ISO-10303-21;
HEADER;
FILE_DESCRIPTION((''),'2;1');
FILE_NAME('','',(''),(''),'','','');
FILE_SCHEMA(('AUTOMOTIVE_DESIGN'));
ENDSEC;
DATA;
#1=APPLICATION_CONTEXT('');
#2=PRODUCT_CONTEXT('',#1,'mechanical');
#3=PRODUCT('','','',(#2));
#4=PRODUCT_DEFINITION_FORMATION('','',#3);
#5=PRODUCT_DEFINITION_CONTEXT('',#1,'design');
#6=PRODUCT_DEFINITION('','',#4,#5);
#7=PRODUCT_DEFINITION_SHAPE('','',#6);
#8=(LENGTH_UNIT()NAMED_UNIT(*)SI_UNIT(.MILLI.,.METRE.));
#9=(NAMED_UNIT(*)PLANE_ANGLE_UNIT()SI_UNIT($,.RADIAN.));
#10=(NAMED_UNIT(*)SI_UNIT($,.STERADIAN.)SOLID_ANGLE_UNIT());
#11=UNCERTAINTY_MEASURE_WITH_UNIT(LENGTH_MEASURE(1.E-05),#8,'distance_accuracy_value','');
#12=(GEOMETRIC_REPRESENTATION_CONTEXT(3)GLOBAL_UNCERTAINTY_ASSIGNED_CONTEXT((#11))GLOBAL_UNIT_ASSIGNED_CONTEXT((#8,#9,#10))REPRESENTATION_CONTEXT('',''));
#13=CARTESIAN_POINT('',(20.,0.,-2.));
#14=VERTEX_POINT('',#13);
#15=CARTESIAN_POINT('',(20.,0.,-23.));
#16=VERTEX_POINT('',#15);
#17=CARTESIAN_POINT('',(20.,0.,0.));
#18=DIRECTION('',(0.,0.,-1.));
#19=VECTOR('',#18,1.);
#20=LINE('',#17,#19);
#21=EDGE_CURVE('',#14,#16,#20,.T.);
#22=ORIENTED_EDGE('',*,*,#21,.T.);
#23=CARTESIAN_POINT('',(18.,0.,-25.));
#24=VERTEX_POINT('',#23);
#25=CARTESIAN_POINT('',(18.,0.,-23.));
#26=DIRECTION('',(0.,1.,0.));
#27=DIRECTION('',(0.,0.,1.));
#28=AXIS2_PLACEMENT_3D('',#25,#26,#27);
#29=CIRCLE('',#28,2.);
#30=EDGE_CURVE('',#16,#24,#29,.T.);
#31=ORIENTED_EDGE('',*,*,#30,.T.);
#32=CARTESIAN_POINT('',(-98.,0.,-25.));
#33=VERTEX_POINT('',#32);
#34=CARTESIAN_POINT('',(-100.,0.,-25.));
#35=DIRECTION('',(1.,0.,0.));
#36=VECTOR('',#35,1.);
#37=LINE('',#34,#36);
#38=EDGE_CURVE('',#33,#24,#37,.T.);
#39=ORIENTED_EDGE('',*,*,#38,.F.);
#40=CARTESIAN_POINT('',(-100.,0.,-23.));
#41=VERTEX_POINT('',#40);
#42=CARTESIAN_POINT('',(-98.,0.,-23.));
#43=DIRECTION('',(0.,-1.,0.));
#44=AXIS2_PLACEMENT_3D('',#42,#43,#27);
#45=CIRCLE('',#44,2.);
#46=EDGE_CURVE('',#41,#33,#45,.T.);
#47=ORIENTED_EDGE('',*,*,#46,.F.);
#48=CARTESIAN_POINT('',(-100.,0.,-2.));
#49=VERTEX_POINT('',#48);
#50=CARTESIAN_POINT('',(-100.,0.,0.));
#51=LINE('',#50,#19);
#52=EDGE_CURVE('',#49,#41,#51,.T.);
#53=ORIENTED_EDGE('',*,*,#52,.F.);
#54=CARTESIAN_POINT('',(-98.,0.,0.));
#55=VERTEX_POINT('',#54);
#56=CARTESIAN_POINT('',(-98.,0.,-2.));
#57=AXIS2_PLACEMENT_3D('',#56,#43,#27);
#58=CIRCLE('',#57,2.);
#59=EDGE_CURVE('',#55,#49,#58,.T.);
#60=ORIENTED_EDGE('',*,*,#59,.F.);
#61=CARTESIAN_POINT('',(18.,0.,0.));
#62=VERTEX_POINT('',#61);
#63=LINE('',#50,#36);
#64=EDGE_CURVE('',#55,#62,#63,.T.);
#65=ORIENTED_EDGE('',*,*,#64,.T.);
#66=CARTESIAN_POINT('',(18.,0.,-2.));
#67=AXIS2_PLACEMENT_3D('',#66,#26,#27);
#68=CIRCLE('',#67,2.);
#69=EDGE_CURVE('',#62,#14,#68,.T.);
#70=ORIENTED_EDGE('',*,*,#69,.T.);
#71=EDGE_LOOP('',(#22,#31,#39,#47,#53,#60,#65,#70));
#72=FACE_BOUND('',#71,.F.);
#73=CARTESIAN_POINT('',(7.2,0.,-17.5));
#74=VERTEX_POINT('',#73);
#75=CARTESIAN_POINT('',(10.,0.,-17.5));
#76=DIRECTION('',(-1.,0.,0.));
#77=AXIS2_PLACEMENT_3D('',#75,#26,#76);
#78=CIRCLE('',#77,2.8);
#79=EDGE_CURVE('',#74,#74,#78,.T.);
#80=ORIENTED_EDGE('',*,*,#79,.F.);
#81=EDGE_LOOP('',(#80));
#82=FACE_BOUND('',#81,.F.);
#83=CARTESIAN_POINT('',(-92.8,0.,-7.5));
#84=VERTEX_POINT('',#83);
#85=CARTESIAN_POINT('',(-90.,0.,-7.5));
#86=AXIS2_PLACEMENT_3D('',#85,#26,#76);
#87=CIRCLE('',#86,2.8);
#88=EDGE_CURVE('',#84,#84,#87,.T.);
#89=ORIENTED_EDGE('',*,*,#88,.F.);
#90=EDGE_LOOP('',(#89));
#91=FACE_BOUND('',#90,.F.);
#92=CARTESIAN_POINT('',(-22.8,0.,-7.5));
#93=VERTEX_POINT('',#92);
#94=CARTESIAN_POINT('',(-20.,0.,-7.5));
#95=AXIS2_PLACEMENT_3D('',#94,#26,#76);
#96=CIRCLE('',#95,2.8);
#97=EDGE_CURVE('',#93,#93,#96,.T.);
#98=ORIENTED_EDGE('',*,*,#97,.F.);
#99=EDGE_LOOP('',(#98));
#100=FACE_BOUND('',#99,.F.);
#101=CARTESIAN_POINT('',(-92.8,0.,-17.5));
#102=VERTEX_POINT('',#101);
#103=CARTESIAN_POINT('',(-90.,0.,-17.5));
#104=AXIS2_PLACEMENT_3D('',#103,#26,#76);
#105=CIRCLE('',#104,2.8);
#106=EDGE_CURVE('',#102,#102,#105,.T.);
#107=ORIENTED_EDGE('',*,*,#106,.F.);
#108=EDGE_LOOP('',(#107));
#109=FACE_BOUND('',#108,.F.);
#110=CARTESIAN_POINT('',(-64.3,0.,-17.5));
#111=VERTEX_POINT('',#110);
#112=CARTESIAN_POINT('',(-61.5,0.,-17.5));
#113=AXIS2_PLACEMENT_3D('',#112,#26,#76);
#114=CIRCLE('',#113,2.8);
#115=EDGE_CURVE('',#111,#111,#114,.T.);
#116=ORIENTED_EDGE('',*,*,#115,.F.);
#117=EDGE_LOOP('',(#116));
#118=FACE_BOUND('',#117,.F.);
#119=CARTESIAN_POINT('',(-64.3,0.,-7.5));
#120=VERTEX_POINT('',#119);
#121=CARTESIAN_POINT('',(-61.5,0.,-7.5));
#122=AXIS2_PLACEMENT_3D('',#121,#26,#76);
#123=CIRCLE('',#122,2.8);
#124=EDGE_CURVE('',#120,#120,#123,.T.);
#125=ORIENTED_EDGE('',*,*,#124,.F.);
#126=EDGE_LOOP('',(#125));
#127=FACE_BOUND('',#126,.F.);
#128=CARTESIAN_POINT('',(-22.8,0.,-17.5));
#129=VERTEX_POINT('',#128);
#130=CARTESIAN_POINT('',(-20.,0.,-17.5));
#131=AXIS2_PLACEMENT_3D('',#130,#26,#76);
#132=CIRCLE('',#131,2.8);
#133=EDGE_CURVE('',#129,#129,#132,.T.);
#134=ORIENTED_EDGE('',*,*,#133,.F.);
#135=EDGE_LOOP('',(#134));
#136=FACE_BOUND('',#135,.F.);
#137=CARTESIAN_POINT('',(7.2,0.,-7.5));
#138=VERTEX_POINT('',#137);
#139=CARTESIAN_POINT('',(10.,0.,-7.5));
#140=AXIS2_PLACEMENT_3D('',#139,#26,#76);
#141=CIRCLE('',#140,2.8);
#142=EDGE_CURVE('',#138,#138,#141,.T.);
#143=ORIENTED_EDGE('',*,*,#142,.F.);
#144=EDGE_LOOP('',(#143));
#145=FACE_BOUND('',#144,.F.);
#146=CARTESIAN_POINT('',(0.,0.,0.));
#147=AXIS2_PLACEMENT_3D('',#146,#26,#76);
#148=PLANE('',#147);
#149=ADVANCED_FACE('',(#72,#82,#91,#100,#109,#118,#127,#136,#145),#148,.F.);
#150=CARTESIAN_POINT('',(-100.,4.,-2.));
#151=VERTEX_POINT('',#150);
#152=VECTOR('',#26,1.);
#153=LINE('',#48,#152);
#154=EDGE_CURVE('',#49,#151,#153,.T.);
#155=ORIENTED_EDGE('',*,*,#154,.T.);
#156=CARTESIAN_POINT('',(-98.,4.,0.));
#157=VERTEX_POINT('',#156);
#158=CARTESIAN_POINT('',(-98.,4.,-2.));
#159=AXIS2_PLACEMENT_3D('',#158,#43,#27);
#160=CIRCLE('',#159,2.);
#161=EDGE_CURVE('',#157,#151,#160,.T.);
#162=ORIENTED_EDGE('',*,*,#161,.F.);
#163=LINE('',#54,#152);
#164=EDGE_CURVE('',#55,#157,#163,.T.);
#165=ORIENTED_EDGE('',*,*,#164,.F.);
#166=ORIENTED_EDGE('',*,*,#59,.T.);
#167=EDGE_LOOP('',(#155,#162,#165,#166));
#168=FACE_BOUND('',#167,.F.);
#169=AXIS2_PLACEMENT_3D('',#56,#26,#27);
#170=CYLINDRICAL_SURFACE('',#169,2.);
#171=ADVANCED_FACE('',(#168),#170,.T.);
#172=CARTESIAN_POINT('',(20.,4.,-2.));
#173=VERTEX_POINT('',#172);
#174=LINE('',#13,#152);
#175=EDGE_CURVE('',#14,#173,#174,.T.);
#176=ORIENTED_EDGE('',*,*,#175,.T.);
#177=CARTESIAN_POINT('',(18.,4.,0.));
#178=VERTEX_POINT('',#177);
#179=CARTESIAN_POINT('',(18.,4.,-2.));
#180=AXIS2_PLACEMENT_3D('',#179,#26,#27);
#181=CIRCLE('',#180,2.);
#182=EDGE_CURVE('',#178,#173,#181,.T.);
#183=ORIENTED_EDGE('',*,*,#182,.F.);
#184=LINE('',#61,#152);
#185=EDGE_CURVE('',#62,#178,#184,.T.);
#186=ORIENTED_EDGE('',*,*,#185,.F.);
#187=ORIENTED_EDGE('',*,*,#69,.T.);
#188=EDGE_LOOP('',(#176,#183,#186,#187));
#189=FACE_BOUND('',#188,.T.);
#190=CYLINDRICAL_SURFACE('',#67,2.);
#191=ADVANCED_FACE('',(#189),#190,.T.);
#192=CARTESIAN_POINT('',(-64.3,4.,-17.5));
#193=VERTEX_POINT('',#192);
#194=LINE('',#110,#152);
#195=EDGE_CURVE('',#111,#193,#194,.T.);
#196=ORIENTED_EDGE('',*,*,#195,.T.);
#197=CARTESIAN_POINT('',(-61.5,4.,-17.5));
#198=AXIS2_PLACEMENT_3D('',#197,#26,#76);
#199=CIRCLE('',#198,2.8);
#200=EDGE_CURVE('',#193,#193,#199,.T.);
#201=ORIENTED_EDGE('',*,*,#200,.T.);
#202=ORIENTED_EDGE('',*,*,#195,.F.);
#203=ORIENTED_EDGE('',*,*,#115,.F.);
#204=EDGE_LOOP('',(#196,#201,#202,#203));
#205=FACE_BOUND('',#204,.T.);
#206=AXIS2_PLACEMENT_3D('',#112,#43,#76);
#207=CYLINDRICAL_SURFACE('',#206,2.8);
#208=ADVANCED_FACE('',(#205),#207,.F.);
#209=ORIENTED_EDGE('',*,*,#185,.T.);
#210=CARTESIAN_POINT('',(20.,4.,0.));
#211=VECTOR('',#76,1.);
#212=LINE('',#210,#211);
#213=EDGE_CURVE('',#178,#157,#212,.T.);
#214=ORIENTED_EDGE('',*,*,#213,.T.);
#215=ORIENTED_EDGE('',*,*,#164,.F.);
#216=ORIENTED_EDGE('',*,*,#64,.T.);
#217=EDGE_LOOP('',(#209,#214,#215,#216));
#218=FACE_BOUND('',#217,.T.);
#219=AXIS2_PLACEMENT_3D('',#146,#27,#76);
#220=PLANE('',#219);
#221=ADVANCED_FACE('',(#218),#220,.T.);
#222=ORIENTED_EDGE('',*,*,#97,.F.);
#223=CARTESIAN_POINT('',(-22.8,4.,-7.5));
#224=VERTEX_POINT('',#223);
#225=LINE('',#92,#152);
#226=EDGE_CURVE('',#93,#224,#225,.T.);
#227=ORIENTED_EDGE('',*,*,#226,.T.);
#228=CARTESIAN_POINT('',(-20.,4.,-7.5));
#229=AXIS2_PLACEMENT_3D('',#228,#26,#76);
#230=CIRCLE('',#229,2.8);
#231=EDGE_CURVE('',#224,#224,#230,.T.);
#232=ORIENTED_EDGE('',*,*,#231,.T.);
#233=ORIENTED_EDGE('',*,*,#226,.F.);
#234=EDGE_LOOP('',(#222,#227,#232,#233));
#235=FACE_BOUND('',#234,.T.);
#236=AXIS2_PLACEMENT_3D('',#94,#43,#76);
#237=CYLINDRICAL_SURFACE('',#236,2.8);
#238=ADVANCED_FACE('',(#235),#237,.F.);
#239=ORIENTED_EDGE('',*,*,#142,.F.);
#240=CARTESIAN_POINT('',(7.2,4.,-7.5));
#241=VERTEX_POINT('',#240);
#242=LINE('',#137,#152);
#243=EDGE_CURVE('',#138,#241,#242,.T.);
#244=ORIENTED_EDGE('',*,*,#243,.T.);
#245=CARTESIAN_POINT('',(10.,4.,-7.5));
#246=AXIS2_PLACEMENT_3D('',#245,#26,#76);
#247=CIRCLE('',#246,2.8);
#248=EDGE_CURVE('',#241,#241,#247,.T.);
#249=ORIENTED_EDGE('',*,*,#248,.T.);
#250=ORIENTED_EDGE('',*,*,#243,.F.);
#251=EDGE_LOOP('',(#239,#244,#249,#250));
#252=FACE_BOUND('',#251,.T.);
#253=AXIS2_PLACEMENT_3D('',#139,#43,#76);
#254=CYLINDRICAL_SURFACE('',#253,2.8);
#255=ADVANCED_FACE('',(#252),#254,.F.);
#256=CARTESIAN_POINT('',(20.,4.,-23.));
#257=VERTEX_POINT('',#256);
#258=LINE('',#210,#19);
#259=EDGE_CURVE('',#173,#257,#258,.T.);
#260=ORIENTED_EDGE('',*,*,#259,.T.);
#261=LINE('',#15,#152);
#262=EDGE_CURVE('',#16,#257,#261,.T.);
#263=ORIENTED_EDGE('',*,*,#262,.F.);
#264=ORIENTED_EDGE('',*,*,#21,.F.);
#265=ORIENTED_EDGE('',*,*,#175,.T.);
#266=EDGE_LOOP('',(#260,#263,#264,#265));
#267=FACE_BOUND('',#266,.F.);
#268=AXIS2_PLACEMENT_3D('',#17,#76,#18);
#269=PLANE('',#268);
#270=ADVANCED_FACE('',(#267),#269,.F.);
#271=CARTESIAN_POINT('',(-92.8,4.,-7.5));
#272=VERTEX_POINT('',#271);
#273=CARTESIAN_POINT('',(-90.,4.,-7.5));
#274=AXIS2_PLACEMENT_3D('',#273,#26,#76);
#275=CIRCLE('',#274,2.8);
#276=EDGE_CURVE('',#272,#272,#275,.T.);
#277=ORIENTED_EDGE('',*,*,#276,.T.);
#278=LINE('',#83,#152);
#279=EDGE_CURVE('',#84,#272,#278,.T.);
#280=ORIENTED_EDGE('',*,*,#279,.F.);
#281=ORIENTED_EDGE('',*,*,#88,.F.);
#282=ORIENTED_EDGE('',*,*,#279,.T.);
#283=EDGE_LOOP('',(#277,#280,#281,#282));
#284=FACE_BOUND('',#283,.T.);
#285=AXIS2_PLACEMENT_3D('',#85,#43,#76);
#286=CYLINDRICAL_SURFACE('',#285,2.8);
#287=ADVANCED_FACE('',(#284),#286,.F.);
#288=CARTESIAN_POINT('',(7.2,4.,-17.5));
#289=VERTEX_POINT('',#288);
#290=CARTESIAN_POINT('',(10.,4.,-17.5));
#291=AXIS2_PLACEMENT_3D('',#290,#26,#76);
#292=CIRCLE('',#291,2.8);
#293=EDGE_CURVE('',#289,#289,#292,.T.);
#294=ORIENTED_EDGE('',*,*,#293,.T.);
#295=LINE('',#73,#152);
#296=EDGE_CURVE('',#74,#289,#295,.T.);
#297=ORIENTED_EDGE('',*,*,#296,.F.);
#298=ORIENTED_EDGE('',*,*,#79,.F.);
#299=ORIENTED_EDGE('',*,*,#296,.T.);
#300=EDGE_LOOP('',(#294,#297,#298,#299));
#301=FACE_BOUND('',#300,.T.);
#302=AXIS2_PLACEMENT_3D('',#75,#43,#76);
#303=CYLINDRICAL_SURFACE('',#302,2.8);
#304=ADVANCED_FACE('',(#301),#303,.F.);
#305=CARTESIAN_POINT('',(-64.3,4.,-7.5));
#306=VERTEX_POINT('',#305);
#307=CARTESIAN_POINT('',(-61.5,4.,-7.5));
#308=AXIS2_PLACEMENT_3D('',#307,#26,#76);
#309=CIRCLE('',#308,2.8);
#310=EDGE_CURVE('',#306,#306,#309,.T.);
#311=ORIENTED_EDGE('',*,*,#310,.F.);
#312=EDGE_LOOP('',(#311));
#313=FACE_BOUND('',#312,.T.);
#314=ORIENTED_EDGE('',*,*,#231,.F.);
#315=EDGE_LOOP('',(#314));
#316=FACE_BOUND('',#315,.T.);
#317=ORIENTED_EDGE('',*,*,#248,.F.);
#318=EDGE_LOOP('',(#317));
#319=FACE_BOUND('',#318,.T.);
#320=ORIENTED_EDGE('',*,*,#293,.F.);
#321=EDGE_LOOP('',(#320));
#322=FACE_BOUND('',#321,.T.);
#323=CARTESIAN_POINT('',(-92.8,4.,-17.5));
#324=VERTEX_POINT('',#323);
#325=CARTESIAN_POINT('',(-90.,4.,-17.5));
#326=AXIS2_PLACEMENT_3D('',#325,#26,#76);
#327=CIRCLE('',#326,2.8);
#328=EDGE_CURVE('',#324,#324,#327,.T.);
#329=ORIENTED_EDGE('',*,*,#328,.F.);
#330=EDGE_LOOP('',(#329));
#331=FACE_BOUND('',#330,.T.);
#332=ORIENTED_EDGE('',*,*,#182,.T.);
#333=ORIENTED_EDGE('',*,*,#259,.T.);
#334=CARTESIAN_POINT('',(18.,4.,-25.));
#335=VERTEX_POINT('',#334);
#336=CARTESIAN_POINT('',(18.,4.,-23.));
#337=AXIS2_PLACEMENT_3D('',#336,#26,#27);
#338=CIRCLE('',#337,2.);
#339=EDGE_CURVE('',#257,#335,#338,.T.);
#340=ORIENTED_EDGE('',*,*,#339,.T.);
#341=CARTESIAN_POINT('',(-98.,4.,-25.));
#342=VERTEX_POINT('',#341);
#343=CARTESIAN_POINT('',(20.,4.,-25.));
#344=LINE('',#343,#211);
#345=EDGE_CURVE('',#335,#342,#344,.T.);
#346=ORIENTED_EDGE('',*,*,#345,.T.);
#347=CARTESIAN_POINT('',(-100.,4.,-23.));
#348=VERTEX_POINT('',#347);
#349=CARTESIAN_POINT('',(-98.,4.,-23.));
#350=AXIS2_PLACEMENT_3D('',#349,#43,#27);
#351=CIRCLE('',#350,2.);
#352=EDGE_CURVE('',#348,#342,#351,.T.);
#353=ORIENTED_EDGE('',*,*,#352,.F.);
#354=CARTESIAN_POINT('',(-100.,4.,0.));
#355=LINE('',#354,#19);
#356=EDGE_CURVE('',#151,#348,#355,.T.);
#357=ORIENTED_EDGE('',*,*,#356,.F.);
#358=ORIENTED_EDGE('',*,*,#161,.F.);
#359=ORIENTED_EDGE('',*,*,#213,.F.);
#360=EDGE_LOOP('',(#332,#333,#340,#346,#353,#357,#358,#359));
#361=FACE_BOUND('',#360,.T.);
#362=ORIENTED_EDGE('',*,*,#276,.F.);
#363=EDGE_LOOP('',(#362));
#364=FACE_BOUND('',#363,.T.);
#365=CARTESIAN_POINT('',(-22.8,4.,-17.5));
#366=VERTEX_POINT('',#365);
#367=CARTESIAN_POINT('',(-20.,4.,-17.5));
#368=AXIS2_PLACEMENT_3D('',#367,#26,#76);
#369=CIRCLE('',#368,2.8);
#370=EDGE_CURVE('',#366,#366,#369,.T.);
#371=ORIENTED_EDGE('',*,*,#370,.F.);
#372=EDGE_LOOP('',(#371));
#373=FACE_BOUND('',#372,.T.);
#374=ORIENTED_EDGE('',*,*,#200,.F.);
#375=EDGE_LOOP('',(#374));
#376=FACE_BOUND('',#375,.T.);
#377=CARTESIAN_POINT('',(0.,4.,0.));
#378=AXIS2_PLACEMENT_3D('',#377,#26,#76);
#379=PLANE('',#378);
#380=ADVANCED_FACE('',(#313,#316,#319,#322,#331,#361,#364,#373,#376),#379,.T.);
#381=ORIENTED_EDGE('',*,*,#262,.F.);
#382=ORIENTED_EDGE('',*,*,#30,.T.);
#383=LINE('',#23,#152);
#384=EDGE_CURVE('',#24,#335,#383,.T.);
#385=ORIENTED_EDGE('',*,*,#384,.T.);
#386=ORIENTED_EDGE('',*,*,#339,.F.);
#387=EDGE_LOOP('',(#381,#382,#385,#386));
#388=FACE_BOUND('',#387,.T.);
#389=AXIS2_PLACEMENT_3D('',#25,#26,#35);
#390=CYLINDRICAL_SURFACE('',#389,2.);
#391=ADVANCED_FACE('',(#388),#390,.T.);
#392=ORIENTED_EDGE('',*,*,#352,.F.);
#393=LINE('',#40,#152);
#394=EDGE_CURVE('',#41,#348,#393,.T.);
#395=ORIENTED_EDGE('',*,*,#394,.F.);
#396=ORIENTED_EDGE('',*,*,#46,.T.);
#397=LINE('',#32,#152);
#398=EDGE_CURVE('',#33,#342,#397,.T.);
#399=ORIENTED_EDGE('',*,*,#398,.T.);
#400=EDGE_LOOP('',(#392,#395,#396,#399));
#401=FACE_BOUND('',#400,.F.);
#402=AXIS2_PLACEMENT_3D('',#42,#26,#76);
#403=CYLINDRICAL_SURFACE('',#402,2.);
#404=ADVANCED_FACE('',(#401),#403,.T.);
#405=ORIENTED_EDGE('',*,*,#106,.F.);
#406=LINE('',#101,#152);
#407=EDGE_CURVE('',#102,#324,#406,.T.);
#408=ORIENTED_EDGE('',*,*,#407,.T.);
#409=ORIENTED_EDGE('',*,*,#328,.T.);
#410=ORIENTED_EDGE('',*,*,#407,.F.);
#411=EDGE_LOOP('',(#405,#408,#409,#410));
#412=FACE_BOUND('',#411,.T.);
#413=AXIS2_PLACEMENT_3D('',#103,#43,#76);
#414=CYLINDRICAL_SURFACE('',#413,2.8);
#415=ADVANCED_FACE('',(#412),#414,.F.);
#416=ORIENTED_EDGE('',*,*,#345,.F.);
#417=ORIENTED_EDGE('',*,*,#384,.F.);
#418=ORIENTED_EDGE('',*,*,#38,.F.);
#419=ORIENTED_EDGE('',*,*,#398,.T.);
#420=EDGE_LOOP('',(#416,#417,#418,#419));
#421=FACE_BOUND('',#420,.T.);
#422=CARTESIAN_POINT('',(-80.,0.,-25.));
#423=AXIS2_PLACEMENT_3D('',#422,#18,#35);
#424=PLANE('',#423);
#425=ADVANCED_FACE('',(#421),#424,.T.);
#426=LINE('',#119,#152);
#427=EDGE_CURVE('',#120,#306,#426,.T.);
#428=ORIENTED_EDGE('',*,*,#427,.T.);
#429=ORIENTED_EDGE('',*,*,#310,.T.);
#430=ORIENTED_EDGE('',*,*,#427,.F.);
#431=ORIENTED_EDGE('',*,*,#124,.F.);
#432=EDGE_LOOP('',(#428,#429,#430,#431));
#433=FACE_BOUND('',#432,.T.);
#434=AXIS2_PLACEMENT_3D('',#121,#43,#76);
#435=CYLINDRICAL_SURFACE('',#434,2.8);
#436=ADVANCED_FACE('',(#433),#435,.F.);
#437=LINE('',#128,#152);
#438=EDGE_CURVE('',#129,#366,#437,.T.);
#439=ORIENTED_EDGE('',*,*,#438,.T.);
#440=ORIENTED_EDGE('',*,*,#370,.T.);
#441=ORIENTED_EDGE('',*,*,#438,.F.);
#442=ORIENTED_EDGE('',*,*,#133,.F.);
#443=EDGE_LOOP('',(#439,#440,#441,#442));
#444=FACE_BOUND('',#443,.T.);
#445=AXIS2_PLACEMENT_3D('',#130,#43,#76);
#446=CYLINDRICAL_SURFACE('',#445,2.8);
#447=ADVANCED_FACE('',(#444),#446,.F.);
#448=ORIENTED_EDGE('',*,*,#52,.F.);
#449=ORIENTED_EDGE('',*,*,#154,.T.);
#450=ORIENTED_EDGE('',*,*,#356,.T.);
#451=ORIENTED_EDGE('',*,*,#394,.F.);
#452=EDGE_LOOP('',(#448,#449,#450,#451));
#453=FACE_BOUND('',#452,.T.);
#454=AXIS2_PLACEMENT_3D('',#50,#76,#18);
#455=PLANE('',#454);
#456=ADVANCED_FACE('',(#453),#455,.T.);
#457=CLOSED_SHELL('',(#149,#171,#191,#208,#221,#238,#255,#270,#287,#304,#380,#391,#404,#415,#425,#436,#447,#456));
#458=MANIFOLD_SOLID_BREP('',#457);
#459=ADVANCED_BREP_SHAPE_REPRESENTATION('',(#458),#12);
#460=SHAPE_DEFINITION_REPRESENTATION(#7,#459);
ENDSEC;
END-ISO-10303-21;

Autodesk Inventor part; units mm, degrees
ref_plane "YZ Plane" through (0, 0, 0) normal (1, 0, 0) x (0, 1, 0)
ref_plane "XZ Plane" through (0, 0, 0) normal (0, 1, 0) x (-1, 0, 0)
ref_plane "XY Plane" through (0, 0, 0) normal (0, 0, 1) x (1, 0, 0)
sketch "Szkic1" plane through (0, 0, 0) normal (0, 1, 0) x (-1, 0, 0)
  line L0 (0, 0) -> (80, 0)
  line L1 (80, 0) -> (80, -25)
  line L2 (80, -25) -> (0, -25)
  line L3 (0, -25) -> (0, 0)
  line L4 (80, -12.5) -> (0, -12.5) construction
  circle A0 centre (61.5, -7.5) radius 2.8
  circle A1 centre (61.5, -17.5) radius 2.8
  circle A2 centre (20, -7.5) radius 2.8
  circle A3 centre (20, -17.5) radius 2.8
  line L5 (80, 0) -> (100, 0)
  line L6 (100, 0) -> (100, -25)
  line L7 (100, -25) -> (80, -25)
  line L8 (80, -25) -> (80, 0)
  line L9 (0, 0) -> (-20, 0)
  line L10 (-20, 0) -> (-20, -25)
  line L11 (-20, -25) -> (0, -25)
  line L12 (0, -25) -> (0, 0)
  circle A4 centre (-10, -7.5) radius 2.8
  circle A5 centre (-10, -17.5) radius 2.8
  circle A6 centre (90, -7.5) radius 2.8
  circle A7 centre (90, -17.5) radius 2.8
  dimension "d0" = 80
  dimension "d1" = 25
  dimension "d2" = 5.6
  dimension "d3" = 10
  dimension "d4" = 20
  dimension "d5" = 18.5
  dimension "d6" = 10
  dimension "d9" = 20
  dimension "d10" = 20
  dimension "d12" = 10
  dimension "d13" = 10
  dimension "d14" = 10
  dimension "d15" = 10
extrude "Wyciągnięcie proste1" add sketch "Szkic1" along normal blind 4
fillet "Zaokrąglenie1" radius 2 4 edges at (-100, 2, 0) (20, 2, 0) (20, 2, -25) (-100, 2, -25)
equation "\"d6\" = d3"
equation "\"d13\" = d3"
equation "\"d14\" = 0.5 * d10"
equation "\"d15\" = 0.5 * d9"
properties part number "belka_wzdluz" material "PLA"
